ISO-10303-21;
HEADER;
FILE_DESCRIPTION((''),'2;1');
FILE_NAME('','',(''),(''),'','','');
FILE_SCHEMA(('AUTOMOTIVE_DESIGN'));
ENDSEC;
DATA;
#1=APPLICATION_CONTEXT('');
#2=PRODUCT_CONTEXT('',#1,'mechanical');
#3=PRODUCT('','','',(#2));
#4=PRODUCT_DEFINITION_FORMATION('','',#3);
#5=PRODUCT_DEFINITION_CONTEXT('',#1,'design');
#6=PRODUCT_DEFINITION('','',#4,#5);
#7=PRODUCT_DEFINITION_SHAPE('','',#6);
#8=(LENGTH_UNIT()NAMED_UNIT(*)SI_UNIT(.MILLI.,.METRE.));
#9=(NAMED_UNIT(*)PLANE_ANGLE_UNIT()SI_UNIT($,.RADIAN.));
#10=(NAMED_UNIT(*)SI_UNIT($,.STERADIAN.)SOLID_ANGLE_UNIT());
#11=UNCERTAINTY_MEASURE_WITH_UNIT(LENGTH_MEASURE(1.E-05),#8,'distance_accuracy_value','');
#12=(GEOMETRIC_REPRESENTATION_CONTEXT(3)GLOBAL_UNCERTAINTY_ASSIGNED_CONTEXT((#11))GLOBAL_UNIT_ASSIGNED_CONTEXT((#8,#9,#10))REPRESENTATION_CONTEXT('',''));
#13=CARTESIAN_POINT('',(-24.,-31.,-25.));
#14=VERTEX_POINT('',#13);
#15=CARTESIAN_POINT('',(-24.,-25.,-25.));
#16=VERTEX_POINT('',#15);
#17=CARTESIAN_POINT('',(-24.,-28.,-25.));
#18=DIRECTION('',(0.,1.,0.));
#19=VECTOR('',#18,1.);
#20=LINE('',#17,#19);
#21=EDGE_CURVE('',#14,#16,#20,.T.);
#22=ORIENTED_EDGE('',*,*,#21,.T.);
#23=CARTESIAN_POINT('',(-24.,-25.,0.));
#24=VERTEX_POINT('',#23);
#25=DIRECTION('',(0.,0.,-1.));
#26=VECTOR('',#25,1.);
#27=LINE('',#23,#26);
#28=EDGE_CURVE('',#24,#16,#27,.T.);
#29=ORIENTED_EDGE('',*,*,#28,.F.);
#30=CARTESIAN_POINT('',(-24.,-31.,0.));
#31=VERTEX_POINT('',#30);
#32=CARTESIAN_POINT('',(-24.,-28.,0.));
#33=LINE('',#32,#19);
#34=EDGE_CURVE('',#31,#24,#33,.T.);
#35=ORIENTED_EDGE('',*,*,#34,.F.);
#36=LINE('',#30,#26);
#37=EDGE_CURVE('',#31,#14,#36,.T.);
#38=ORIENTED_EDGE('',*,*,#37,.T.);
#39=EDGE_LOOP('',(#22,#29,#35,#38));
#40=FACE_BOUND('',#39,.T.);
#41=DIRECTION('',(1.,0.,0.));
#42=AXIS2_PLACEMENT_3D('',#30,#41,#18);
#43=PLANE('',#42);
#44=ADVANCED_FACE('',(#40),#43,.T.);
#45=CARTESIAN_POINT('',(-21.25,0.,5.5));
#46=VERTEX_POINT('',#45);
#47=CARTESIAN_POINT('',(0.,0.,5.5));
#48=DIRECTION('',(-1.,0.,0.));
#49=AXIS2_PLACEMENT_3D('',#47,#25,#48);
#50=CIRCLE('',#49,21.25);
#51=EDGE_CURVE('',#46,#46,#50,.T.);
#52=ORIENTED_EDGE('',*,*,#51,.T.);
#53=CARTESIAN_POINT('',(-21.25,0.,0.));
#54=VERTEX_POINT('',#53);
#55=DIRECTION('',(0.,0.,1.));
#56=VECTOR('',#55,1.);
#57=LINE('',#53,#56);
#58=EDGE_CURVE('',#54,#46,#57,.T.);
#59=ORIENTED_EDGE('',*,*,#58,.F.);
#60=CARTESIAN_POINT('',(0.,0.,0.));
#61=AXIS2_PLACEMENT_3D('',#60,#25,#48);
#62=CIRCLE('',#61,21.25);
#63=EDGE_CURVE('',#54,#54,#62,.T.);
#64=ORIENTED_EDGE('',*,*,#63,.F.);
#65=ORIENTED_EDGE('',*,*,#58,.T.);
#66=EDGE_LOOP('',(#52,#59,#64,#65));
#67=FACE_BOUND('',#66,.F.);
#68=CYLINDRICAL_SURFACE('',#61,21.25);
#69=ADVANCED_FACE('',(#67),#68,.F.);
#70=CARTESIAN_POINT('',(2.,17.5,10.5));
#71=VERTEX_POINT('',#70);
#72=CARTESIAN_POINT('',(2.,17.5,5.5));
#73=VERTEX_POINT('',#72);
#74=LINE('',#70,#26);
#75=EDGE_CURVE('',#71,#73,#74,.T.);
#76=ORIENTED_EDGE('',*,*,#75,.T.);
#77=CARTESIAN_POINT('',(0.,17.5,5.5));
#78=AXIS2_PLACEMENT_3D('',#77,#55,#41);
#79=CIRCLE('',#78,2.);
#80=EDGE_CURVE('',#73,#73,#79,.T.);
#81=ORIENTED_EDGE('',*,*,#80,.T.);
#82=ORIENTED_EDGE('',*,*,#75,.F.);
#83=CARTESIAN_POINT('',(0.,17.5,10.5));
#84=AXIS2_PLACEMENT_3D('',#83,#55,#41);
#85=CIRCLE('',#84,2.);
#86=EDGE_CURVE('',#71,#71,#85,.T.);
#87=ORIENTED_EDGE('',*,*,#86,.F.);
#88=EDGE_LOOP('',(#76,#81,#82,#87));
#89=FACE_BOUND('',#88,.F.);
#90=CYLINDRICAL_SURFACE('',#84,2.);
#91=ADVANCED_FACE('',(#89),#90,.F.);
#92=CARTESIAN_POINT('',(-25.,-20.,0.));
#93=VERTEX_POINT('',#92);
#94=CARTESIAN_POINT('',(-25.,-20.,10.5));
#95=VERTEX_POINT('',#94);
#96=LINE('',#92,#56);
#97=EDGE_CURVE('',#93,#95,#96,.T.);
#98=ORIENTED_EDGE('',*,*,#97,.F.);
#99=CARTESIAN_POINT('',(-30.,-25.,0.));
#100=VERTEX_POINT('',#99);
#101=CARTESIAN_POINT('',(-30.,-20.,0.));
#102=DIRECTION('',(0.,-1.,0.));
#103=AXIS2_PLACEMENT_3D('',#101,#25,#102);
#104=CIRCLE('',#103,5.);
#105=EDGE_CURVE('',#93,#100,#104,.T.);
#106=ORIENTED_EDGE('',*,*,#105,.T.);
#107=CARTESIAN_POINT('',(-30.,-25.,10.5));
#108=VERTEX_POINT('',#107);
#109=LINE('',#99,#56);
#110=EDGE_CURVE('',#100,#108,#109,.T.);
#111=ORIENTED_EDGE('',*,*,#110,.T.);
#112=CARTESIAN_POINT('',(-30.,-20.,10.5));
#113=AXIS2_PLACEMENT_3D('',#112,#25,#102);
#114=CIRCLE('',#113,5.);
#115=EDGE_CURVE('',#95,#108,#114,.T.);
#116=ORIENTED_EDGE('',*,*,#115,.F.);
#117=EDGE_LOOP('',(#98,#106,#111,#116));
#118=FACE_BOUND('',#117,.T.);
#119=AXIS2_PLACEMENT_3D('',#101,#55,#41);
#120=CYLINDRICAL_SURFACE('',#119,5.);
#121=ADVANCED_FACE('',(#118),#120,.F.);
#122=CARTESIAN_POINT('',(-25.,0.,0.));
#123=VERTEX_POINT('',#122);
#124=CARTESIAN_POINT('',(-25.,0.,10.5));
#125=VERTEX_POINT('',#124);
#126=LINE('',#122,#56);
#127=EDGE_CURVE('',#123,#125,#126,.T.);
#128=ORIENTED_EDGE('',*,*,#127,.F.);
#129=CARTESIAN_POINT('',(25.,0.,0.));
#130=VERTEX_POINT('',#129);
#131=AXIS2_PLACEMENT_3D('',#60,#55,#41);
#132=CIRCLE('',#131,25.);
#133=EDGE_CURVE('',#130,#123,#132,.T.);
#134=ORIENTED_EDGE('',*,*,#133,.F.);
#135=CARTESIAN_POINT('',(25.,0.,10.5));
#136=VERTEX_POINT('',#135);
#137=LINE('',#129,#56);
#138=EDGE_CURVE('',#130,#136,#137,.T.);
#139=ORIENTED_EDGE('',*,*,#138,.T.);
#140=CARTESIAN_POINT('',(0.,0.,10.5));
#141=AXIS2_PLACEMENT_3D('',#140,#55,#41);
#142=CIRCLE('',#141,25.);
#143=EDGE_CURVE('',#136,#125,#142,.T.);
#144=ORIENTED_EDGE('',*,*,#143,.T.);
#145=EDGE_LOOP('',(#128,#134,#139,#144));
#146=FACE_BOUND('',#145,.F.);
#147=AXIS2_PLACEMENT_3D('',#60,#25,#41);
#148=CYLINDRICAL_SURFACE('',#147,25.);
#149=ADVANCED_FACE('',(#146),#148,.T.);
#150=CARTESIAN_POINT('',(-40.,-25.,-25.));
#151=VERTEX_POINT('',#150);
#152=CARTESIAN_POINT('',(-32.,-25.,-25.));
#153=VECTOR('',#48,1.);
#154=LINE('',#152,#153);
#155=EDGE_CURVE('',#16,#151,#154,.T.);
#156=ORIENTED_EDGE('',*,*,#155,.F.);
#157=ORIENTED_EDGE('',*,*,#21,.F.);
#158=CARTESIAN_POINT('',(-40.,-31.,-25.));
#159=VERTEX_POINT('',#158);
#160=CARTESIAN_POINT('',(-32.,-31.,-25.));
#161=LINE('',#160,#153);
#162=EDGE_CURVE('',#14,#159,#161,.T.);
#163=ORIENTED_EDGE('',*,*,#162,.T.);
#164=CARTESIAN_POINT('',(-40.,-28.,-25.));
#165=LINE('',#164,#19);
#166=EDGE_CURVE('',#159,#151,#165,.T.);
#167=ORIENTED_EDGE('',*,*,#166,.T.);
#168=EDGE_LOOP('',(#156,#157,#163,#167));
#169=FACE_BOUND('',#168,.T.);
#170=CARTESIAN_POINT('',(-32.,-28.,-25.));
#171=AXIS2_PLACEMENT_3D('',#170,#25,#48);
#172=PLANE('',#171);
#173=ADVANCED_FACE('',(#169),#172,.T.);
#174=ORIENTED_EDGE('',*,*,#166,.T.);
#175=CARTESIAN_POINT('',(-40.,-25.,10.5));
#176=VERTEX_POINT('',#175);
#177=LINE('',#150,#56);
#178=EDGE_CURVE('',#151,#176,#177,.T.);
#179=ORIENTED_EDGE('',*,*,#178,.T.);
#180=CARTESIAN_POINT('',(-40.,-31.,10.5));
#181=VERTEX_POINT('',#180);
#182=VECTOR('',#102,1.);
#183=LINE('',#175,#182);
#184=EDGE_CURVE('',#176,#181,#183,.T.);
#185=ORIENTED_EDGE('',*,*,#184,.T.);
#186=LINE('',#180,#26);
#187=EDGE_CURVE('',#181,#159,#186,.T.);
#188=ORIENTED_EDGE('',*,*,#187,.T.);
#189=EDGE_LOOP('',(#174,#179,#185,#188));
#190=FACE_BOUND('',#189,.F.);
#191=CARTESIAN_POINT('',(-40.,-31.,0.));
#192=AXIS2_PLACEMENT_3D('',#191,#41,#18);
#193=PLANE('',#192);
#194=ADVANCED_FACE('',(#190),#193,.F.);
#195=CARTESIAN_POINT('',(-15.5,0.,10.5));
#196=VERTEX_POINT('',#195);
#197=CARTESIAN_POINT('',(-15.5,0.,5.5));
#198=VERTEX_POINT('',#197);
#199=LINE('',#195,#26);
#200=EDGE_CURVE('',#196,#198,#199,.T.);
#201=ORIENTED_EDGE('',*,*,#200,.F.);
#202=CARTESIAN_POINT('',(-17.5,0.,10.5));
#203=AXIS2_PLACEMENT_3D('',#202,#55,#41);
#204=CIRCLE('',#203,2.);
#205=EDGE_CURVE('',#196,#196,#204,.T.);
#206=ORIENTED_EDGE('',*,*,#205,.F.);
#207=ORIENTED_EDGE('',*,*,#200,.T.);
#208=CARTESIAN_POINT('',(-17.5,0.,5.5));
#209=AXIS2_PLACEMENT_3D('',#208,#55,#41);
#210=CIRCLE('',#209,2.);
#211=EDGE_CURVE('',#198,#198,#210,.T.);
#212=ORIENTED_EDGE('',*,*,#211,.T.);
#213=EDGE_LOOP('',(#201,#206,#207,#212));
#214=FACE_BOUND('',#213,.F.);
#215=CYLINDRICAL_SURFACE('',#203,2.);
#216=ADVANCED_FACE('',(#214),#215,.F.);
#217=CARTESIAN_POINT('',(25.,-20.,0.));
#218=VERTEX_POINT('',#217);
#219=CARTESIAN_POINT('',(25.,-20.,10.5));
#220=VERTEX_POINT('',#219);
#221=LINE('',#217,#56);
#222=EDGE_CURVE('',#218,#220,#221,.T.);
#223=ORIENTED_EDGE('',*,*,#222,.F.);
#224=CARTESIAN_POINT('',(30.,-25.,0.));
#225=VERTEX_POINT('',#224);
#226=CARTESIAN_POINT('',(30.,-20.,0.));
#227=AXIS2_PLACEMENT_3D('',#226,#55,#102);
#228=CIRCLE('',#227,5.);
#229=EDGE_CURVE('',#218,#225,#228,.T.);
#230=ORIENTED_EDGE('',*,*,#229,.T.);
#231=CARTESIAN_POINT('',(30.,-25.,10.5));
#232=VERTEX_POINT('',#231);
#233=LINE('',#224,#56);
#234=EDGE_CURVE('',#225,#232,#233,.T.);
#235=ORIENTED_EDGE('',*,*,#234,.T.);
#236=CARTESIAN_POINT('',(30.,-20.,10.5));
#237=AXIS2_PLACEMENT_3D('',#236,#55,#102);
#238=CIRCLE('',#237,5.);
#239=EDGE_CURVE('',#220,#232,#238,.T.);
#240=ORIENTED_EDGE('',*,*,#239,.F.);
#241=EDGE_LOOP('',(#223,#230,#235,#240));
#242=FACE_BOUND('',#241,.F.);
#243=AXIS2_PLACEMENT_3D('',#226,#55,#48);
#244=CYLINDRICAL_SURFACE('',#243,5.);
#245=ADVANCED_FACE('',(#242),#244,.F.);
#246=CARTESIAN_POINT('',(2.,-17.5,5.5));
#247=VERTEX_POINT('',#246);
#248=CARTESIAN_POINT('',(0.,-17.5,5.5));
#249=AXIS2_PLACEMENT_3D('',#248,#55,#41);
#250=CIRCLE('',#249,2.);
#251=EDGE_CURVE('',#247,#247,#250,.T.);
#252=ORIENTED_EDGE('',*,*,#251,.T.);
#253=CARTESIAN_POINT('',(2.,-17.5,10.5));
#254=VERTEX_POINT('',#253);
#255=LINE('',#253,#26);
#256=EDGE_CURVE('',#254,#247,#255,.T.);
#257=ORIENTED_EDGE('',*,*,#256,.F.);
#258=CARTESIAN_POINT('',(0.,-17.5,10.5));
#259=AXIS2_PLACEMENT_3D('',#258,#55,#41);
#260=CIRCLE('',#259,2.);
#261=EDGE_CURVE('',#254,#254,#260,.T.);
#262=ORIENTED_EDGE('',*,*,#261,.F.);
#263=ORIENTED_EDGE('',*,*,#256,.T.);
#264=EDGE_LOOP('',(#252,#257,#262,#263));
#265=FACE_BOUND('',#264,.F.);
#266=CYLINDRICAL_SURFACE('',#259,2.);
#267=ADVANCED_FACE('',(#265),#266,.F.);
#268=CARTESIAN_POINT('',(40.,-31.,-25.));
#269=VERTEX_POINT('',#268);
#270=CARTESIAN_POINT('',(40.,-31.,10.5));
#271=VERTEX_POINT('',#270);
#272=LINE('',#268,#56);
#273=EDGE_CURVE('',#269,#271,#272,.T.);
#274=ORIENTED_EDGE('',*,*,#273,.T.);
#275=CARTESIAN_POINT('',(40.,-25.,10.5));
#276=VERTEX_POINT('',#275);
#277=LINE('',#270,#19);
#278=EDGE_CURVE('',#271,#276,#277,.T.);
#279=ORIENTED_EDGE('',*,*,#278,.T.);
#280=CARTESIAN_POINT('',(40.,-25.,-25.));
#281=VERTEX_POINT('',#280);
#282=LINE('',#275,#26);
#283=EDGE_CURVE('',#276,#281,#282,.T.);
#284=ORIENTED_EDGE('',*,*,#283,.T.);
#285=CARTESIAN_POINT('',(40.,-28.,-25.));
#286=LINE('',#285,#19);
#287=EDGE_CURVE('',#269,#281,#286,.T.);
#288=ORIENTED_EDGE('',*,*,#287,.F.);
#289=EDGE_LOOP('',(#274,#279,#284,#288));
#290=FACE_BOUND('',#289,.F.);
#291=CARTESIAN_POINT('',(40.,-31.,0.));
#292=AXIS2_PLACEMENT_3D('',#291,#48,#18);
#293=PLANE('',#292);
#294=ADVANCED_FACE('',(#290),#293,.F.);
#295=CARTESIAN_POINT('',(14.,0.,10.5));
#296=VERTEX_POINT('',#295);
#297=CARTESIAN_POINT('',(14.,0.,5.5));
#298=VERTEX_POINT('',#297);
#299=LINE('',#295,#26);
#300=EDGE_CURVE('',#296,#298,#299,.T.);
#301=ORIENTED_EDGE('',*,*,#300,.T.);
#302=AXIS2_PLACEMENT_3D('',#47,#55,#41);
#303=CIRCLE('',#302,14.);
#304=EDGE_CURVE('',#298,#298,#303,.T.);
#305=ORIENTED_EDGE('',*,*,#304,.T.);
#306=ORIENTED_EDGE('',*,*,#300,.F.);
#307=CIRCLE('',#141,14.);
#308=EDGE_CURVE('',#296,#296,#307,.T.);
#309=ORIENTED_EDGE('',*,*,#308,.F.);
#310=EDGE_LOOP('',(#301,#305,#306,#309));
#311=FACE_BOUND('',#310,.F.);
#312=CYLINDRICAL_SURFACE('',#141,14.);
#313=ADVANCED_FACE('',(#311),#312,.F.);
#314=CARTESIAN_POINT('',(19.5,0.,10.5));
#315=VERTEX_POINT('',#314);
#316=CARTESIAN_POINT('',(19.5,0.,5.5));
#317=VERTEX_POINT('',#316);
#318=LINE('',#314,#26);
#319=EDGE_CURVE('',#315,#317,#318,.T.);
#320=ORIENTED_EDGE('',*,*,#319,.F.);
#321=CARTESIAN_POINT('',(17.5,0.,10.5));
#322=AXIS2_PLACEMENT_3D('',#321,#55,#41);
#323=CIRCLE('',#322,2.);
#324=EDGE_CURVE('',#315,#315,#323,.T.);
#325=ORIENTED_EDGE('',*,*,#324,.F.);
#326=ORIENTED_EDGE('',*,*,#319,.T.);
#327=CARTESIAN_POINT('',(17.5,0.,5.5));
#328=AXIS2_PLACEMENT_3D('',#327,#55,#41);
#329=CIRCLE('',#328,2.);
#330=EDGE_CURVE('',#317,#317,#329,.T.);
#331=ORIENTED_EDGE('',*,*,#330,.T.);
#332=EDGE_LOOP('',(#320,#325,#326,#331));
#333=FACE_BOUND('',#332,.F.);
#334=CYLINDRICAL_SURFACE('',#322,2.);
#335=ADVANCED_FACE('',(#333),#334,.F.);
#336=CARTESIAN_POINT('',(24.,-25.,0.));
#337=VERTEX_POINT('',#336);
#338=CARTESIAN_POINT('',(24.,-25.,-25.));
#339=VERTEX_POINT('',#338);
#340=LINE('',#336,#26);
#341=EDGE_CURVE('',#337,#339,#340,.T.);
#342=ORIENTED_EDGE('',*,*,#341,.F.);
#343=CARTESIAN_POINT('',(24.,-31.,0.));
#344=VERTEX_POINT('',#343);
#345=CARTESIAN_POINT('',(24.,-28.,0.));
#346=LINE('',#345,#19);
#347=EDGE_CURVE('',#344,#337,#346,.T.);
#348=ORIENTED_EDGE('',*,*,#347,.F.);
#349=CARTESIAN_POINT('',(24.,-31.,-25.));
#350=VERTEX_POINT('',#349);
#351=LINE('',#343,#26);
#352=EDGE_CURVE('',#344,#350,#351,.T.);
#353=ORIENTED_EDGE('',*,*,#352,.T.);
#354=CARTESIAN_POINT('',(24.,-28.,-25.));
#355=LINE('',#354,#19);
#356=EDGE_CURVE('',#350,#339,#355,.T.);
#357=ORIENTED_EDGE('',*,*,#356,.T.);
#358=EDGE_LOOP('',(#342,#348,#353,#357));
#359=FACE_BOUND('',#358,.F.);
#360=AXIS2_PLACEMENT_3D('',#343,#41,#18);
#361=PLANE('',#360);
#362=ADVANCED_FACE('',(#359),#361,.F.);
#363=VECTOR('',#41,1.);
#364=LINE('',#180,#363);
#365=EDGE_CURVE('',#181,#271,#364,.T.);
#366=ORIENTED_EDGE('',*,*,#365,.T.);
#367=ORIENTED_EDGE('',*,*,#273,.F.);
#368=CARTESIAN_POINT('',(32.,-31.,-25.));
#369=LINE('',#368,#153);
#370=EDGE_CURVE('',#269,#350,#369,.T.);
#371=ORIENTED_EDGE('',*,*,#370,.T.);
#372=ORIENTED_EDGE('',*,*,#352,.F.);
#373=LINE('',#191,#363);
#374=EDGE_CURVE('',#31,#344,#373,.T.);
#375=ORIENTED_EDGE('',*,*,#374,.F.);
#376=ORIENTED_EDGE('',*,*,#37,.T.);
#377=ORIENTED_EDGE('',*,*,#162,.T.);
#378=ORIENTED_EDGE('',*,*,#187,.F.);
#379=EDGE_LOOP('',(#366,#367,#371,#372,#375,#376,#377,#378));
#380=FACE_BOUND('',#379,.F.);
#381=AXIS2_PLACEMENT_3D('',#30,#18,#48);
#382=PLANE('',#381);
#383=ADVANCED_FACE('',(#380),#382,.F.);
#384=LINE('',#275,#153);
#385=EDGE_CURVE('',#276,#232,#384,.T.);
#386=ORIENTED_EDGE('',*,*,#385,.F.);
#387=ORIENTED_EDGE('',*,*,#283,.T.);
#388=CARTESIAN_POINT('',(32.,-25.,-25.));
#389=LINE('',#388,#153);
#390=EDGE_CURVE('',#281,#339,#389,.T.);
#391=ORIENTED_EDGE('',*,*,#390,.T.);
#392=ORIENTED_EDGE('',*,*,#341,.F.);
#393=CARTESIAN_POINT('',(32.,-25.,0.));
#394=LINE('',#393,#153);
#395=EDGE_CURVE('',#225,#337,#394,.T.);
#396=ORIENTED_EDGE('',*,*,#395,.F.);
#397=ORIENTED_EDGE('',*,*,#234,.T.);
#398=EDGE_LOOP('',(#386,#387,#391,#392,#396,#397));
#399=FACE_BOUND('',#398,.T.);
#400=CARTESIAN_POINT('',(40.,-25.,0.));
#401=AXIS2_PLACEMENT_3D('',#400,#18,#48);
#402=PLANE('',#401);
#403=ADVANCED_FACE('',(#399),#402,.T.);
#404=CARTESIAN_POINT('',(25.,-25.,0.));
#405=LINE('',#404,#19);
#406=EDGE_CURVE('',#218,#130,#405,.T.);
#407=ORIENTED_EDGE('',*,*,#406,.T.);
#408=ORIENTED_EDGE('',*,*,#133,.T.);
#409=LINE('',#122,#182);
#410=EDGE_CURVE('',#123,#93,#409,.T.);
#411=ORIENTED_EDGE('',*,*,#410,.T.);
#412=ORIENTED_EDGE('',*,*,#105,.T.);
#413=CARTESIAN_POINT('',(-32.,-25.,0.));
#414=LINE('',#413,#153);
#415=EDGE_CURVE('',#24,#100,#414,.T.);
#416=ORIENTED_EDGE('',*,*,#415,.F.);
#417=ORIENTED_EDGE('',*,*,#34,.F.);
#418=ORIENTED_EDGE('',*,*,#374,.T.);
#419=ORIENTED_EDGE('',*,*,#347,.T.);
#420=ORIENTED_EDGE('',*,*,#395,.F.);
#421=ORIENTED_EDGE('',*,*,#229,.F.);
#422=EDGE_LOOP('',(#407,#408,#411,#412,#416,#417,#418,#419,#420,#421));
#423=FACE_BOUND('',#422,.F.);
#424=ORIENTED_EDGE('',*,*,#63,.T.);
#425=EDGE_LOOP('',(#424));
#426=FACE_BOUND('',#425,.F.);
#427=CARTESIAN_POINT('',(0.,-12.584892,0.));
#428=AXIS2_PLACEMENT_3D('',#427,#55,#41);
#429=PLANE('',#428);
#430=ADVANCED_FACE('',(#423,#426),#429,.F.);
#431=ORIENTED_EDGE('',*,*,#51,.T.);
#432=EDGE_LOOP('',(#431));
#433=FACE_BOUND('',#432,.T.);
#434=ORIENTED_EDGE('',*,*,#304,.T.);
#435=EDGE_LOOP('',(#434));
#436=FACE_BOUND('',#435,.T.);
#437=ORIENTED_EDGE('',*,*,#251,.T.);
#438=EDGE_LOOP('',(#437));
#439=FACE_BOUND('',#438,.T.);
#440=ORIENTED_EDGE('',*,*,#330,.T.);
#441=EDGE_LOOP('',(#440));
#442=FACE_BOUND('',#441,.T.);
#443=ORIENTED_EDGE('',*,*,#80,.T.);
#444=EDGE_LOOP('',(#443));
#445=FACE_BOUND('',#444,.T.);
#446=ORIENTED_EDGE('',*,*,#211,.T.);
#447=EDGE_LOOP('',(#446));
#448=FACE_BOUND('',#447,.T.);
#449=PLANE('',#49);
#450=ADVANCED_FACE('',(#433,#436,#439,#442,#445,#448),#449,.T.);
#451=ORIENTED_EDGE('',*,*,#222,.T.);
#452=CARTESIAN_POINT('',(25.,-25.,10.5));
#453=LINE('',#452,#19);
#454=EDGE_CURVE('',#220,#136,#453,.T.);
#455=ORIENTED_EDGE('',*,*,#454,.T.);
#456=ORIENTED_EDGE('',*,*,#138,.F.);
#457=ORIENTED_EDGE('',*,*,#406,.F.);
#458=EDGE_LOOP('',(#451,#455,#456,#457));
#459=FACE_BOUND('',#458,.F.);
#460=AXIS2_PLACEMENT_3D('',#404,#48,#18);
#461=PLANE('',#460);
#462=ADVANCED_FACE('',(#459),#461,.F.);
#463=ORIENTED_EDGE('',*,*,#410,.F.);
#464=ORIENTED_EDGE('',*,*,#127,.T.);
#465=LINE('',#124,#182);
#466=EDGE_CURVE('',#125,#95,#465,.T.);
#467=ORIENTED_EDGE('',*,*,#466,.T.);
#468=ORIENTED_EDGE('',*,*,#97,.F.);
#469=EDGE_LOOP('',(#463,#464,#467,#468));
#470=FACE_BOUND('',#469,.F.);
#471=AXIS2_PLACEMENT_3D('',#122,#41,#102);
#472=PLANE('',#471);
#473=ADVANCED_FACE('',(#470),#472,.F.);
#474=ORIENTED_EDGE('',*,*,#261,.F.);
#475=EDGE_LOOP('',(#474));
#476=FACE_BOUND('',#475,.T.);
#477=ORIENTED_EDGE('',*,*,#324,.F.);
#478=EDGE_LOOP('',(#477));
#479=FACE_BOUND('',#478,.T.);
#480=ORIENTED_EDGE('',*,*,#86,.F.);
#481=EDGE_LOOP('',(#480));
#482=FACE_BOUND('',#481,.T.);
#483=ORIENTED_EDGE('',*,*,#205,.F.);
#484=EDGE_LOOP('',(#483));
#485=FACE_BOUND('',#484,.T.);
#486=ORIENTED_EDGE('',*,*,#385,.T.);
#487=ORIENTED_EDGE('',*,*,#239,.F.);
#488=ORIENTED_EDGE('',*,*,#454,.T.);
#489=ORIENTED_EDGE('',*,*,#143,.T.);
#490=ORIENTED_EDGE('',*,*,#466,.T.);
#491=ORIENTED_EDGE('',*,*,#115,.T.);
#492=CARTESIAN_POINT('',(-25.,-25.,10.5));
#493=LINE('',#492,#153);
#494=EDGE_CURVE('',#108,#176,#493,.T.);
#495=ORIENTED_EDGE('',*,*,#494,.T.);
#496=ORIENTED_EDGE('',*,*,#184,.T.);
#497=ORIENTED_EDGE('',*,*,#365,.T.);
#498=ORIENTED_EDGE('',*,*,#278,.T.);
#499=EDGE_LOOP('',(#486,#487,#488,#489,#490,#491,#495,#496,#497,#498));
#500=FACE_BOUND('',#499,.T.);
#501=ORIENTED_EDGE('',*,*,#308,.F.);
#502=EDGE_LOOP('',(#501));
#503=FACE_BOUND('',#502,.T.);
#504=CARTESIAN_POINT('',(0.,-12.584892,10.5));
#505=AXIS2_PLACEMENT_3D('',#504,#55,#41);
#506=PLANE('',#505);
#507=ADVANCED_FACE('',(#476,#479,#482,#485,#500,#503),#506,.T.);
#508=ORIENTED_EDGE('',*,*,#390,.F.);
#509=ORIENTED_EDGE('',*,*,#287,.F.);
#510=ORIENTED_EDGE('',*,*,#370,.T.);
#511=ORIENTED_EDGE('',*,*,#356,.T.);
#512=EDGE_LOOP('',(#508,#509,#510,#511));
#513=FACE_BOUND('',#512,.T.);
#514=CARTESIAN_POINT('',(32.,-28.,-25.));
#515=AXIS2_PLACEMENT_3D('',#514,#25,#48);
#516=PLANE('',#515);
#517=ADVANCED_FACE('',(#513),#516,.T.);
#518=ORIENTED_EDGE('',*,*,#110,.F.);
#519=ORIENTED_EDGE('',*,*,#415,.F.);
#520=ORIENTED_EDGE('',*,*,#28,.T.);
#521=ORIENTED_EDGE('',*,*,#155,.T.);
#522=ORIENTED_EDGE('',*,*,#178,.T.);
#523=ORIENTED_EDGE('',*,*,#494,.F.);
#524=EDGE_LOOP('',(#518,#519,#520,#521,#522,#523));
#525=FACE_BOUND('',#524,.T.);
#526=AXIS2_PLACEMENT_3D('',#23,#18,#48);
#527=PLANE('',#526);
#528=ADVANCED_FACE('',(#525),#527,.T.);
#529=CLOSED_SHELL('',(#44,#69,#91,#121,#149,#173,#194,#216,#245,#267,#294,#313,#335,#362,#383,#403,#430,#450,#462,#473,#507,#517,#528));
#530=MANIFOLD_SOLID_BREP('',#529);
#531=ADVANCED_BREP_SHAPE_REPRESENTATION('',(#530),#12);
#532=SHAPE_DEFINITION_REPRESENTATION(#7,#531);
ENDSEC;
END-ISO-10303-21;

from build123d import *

# Parameters (mm, degrees)
EXTRUDE_1_DEPTH     = 10.5
SKETCH_2_R          = 14
CUT_EXTRUDE_1_DEPTH = 52.684136831
SKETCH_3_R          = 21.25
CUT_EXTRUDE_2_DEPTH = 5.5
SKETCH_4_R          = 2
CUT_EXTRUDE_3_DEPTH = 52.684136831
FILLET_1_R          = 5
SKETCH_5_W          = 16
SKETCH_5_H          = 6
EXTRUDE_2_DEPTH     = 25


with BuildPart() as part:
    # 草图1 → 凸台-拉伸1 (new body)
    with BuildSketch(Plane.XY):
        with BuildLine():
            Line((-25, 0), (-25, -25))
            Line((-25, -25), (-40, -25))
            Line((-40, -25), (-40, -31))
            Line((-40, -31), (40, -31))
            Line((40, -31), (40, -25))
            Line((40, -25), (25, -25))
            Line((25, -25), (25, 0))
            ThreePointArc((25, 0), (0, 25), (-25, 0))
        make_face()
    extrude(amount=EXTRUDE_1_DEPTH)

    # 草图2 → 切除-拉伸1 (cut, through all)
    with BuildSketch(Plane.XY.offset(10.5)):
        Circle(SKETCH_2_R)
    extrude(amount=-CUT_EXTRUDE_1_DEPTH, mode=Mode.SUBTRACT)

    # 草图3 → 切除-拉伸2 (cut)
    with BuildSketch(Plane(origin=(0, 0, 0), x_dir=(-1, 0, 0), z_dir=(0, 0, -1))):
        Circle(SKETCH_3_R)
    extrude(amount=-CUT_EXTRUDE_2_DEPTH, mode=Mode.SUBTRACT)

    # 草图4 → 切除-拉伸3 (cut, through all)
    with BuildSketch(Plane.XY.offset(10.5)):
        with Locations((0, 17.5)):
            Circle(SKETCH_4_R)
        with Locations((17.5, 0)):
            Circle(SKETCH_4_R)
        with Locations((0, -17.5)):
            Circle(SKETCH_4_R)
        with Locations((-17.5, 0)):
            Circle(SKETCH_4_R)
    extrude(amount=-CUT_EXTRUDE_3_DEPTH, mode=Mode.SUBTRACT)

    # 圆角1
    fillet_1_edges = [part.edges().sort_by_distance(p)[0] for p in [
        (25, -25, 5.25),
        (-25, -25, 5.25),
    ]]
    fillet(fillet_1_edges, radius=FILLET_1_R)

    # 草图5 → 凸台-拉伸2 (add)
    with BuildSketch(Plane(origin=(0, 0, 0), x_dir=(-1, 0, 0), z_dir=(0, 0, -1))):
        with Locations((32, -28)):
            Rectangle(SKETCH_5_W, SKETCH_5_H)
        with Locations((-32, -28)):
            Rectangle(SKETCH_5_W, SKETCH_5_H)
    extrude(amount=EXTRUDE_2_DEPTH)


solid = part.part
